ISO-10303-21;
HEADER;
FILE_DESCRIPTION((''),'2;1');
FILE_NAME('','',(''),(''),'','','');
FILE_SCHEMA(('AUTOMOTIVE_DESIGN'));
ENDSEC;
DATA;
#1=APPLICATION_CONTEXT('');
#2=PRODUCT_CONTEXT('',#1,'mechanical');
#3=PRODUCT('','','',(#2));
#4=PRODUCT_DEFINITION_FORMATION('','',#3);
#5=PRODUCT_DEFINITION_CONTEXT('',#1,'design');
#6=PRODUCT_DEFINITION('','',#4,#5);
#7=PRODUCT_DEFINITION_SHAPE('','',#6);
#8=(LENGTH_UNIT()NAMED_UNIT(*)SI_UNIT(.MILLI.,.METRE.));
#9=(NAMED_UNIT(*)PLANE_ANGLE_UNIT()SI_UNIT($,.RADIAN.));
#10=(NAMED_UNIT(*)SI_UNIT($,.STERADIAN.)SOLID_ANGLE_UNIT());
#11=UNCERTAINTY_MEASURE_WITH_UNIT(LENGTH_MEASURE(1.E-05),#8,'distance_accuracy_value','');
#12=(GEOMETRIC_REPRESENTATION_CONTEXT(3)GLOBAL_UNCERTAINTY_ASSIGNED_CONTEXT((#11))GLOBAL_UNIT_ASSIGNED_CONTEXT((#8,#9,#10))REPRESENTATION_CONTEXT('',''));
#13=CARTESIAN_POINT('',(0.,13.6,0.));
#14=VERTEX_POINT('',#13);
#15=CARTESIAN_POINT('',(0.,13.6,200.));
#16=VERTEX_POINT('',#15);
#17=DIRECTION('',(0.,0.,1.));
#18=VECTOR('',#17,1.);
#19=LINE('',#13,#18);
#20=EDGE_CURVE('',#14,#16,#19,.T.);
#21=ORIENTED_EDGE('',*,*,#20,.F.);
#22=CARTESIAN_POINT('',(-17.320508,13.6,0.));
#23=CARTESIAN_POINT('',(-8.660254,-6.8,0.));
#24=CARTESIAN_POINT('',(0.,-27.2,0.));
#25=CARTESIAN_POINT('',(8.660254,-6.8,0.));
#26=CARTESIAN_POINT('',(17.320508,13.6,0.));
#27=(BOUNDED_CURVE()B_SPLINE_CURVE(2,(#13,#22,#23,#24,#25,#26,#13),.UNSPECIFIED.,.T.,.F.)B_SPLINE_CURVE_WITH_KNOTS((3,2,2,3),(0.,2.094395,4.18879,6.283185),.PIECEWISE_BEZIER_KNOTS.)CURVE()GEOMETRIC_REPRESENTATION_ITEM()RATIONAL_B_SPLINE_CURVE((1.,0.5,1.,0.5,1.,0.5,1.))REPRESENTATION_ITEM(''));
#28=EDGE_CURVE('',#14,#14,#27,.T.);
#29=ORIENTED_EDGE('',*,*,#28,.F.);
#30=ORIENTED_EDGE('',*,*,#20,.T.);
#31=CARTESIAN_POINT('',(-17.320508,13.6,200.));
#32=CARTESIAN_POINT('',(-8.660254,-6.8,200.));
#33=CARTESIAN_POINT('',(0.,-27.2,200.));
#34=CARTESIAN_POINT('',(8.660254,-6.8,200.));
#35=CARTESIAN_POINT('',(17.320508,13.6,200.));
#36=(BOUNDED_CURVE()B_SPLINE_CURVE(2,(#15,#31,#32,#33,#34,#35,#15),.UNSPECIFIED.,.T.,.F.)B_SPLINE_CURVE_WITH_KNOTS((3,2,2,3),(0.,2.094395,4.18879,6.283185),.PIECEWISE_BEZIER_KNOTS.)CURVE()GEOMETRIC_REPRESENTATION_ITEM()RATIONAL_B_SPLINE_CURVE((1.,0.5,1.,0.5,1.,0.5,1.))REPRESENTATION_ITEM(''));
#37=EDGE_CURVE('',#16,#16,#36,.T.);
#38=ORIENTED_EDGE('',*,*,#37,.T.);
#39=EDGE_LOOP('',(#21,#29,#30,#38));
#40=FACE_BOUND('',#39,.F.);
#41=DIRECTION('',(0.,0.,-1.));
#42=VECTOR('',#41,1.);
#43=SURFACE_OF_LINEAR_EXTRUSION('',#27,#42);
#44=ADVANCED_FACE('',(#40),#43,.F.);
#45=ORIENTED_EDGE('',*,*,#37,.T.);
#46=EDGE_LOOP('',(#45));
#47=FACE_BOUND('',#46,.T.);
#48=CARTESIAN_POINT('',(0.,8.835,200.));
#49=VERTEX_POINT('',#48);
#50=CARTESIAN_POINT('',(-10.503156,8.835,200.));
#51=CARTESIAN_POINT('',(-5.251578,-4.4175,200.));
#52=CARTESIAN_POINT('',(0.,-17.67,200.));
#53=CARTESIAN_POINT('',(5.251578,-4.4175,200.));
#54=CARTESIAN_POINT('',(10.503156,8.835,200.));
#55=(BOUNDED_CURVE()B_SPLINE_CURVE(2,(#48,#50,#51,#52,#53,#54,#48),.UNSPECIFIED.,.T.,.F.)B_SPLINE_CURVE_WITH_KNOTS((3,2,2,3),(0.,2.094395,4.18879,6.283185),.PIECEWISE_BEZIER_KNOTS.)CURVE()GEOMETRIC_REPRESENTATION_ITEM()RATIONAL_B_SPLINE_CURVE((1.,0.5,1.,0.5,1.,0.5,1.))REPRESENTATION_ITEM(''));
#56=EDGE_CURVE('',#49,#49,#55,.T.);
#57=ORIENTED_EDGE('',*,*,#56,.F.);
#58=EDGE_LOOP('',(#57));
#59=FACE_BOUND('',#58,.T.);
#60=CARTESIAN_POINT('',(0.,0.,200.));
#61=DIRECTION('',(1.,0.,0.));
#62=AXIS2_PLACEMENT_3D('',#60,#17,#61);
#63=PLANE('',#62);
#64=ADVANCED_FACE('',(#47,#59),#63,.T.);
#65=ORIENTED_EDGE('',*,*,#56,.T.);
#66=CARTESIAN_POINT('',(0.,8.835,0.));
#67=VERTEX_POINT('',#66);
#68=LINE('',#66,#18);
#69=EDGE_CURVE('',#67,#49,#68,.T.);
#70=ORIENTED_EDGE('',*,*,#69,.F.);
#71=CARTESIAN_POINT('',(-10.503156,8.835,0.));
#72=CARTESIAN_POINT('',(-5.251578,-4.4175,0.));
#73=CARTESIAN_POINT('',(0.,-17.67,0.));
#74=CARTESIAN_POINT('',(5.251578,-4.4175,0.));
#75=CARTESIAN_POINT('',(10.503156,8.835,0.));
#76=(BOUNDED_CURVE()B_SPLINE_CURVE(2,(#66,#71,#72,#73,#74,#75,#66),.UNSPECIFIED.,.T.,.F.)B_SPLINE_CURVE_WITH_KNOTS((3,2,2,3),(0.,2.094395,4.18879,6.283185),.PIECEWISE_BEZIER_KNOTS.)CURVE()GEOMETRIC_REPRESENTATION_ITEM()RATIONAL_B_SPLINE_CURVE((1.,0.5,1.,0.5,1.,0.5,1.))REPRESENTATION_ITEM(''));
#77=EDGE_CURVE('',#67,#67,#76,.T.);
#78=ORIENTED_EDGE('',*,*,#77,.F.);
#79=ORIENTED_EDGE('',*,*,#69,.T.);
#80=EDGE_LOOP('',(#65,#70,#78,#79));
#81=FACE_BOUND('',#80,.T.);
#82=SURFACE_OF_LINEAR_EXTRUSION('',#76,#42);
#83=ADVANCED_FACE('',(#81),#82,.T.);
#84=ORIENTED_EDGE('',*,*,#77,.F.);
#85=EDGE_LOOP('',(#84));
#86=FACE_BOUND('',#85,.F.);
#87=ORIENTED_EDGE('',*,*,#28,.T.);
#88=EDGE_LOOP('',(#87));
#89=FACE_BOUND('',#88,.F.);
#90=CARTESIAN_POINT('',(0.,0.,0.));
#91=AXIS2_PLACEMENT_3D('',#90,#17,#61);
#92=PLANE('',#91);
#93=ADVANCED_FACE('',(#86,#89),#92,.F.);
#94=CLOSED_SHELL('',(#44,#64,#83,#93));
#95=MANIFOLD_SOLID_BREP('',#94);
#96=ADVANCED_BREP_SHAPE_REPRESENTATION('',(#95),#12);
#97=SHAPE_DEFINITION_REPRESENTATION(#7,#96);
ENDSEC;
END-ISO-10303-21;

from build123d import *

# Parameters (mm, degrees)
F1_DEPTH = 200


with BuildPart() as f1:
    # F0 (on Top) → F1 (new body)
    with BuildSketch(Plane.XY):
        with BuildLine():
            add(Edge.make_bspline(
                [(0, 13.6), (-17.320508, 13.6), (-8.660254, -6.8), (0, -27.2), (8.660254, -6.8), (17.320508, 13.6), (0, 13.6)],
                knots=[0, 0, 0, 2.094395, 2.094395, 4.18879, 4.18879, 6.283185, 6.283185, 6.283185], degree=2, weights=[1, 0.5, 1, 0.5, 1, 0.5, 1]))
        make_face()
        with BuildLine():
            add(Edge.make_bspline(
                [(0, 8.835), (-10.503156, 8.835), (-5.251578, -4.4175), (0, -17.67), (5.251578, -4.4175), (10.503156, 8.835), (0, 8.835)],
                knots=[0, 0, 0, 2.094395, 2.094395, 4.18879, 4.18879, 6.283185, 6.283185, 6.283185], degree=2, weights=[1, 0.5, 1, 0.5, 1, 0.5, 1]))
        make_face(mode=Mode.SUBTRACT)
    extrude(amount=F1_DEPTH)


solid = f1.part
